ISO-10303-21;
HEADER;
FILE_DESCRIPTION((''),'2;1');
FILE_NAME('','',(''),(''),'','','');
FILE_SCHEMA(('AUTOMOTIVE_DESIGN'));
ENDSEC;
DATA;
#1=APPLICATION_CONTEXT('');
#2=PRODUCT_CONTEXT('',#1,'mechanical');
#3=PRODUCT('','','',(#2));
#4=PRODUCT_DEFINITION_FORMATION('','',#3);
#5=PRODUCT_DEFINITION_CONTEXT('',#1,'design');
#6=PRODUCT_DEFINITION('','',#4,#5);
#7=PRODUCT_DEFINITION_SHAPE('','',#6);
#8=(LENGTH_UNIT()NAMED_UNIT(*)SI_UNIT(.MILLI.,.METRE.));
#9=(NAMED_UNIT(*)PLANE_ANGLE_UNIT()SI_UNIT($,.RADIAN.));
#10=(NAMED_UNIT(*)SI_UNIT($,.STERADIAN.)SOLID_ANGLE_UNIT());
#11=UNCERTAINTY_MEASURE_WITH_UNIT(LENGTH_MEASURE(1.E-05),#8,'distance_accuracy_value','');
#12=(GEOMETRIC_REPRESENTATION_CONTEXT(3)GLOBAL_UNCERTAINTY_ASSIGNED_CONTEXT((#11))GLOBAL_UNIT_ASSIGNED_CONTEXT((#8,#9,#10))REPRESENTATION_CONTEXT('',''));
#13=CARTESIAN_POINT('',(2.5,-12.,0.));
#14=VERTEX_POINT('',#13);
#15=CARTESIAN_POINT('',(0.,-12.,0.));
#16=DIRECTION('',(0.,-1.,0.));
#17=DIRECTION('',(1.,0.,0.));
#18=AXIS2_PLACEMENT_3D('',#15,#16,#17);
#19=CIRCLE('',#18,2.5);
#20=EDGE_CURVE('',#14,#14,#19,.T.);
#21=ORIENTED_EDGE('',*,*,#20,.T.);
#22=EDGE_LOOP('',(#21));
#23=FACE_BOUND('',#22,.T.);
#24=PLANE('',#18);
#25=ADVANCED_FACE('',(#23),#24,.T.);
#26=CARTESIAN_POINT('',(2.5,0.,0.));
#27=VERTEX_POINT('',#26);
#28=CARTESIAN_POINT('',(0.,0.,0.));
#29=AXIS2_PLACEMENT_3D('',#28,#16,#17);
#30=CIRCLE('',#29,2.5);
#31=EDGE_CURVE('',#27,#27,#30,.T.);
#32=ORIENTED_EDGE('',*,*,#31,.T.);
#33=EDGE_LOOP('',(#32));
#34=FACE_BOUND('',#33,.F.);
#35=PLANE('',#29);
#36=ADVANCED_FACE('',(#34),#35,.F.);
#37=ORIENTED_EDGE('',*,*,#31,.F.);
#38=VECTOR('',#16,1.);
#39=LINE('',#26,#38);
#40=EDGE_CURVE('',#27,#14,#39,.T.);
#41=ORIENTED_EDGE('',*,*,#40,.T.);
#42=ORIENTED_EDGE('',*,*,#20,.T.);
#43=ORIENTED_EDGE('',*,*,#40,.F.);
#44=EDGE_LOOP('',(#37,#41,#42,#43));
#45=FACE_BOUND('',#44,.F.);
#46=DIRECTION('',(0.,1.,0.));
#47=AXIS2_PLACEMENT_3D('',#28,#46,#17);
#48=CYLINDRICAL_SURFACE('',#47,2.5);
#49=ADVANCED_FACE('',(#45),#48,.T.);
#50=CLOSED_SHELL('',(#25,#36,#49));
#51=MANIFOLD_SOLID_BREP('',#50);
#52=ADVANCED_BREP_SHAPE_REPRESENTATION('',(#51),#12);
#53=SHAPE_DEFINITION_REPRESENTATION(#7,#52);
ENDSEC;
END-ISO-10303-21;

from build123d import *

# Parameters (mm, degrees)
F0_R     = 2.5
F1_DEPTH = 72
F2_DEPTH = 50
F3_DEPTH = 10


with BuildPart() as f1:
    # F0 (on Front) → F1 (new body)
    with BuildSketch(Plane.XZ):
        Circle(F0_R)
    extrude(amount=F1_DEPTH)

    # F2 (cut): a face of the model
    f2_faces = [f1.faces().sort_by_distance(p)[0] for p in [
        (0, -72, 0),
    ]]
    extrude(f2_faces, amount=-F2_DEPTH, mode=Mode.SUBTRACT)

    # F3 (cut): a face of the model
    f3_faces = [f1.faces().sort_by_distance(p)[0] for p in [
        (0, -22, 0),
    ]]
    extrude(f3_faces, amount=-F3_DEPTH, mode=Mode.SUBTRACT)


solid = f1.part
